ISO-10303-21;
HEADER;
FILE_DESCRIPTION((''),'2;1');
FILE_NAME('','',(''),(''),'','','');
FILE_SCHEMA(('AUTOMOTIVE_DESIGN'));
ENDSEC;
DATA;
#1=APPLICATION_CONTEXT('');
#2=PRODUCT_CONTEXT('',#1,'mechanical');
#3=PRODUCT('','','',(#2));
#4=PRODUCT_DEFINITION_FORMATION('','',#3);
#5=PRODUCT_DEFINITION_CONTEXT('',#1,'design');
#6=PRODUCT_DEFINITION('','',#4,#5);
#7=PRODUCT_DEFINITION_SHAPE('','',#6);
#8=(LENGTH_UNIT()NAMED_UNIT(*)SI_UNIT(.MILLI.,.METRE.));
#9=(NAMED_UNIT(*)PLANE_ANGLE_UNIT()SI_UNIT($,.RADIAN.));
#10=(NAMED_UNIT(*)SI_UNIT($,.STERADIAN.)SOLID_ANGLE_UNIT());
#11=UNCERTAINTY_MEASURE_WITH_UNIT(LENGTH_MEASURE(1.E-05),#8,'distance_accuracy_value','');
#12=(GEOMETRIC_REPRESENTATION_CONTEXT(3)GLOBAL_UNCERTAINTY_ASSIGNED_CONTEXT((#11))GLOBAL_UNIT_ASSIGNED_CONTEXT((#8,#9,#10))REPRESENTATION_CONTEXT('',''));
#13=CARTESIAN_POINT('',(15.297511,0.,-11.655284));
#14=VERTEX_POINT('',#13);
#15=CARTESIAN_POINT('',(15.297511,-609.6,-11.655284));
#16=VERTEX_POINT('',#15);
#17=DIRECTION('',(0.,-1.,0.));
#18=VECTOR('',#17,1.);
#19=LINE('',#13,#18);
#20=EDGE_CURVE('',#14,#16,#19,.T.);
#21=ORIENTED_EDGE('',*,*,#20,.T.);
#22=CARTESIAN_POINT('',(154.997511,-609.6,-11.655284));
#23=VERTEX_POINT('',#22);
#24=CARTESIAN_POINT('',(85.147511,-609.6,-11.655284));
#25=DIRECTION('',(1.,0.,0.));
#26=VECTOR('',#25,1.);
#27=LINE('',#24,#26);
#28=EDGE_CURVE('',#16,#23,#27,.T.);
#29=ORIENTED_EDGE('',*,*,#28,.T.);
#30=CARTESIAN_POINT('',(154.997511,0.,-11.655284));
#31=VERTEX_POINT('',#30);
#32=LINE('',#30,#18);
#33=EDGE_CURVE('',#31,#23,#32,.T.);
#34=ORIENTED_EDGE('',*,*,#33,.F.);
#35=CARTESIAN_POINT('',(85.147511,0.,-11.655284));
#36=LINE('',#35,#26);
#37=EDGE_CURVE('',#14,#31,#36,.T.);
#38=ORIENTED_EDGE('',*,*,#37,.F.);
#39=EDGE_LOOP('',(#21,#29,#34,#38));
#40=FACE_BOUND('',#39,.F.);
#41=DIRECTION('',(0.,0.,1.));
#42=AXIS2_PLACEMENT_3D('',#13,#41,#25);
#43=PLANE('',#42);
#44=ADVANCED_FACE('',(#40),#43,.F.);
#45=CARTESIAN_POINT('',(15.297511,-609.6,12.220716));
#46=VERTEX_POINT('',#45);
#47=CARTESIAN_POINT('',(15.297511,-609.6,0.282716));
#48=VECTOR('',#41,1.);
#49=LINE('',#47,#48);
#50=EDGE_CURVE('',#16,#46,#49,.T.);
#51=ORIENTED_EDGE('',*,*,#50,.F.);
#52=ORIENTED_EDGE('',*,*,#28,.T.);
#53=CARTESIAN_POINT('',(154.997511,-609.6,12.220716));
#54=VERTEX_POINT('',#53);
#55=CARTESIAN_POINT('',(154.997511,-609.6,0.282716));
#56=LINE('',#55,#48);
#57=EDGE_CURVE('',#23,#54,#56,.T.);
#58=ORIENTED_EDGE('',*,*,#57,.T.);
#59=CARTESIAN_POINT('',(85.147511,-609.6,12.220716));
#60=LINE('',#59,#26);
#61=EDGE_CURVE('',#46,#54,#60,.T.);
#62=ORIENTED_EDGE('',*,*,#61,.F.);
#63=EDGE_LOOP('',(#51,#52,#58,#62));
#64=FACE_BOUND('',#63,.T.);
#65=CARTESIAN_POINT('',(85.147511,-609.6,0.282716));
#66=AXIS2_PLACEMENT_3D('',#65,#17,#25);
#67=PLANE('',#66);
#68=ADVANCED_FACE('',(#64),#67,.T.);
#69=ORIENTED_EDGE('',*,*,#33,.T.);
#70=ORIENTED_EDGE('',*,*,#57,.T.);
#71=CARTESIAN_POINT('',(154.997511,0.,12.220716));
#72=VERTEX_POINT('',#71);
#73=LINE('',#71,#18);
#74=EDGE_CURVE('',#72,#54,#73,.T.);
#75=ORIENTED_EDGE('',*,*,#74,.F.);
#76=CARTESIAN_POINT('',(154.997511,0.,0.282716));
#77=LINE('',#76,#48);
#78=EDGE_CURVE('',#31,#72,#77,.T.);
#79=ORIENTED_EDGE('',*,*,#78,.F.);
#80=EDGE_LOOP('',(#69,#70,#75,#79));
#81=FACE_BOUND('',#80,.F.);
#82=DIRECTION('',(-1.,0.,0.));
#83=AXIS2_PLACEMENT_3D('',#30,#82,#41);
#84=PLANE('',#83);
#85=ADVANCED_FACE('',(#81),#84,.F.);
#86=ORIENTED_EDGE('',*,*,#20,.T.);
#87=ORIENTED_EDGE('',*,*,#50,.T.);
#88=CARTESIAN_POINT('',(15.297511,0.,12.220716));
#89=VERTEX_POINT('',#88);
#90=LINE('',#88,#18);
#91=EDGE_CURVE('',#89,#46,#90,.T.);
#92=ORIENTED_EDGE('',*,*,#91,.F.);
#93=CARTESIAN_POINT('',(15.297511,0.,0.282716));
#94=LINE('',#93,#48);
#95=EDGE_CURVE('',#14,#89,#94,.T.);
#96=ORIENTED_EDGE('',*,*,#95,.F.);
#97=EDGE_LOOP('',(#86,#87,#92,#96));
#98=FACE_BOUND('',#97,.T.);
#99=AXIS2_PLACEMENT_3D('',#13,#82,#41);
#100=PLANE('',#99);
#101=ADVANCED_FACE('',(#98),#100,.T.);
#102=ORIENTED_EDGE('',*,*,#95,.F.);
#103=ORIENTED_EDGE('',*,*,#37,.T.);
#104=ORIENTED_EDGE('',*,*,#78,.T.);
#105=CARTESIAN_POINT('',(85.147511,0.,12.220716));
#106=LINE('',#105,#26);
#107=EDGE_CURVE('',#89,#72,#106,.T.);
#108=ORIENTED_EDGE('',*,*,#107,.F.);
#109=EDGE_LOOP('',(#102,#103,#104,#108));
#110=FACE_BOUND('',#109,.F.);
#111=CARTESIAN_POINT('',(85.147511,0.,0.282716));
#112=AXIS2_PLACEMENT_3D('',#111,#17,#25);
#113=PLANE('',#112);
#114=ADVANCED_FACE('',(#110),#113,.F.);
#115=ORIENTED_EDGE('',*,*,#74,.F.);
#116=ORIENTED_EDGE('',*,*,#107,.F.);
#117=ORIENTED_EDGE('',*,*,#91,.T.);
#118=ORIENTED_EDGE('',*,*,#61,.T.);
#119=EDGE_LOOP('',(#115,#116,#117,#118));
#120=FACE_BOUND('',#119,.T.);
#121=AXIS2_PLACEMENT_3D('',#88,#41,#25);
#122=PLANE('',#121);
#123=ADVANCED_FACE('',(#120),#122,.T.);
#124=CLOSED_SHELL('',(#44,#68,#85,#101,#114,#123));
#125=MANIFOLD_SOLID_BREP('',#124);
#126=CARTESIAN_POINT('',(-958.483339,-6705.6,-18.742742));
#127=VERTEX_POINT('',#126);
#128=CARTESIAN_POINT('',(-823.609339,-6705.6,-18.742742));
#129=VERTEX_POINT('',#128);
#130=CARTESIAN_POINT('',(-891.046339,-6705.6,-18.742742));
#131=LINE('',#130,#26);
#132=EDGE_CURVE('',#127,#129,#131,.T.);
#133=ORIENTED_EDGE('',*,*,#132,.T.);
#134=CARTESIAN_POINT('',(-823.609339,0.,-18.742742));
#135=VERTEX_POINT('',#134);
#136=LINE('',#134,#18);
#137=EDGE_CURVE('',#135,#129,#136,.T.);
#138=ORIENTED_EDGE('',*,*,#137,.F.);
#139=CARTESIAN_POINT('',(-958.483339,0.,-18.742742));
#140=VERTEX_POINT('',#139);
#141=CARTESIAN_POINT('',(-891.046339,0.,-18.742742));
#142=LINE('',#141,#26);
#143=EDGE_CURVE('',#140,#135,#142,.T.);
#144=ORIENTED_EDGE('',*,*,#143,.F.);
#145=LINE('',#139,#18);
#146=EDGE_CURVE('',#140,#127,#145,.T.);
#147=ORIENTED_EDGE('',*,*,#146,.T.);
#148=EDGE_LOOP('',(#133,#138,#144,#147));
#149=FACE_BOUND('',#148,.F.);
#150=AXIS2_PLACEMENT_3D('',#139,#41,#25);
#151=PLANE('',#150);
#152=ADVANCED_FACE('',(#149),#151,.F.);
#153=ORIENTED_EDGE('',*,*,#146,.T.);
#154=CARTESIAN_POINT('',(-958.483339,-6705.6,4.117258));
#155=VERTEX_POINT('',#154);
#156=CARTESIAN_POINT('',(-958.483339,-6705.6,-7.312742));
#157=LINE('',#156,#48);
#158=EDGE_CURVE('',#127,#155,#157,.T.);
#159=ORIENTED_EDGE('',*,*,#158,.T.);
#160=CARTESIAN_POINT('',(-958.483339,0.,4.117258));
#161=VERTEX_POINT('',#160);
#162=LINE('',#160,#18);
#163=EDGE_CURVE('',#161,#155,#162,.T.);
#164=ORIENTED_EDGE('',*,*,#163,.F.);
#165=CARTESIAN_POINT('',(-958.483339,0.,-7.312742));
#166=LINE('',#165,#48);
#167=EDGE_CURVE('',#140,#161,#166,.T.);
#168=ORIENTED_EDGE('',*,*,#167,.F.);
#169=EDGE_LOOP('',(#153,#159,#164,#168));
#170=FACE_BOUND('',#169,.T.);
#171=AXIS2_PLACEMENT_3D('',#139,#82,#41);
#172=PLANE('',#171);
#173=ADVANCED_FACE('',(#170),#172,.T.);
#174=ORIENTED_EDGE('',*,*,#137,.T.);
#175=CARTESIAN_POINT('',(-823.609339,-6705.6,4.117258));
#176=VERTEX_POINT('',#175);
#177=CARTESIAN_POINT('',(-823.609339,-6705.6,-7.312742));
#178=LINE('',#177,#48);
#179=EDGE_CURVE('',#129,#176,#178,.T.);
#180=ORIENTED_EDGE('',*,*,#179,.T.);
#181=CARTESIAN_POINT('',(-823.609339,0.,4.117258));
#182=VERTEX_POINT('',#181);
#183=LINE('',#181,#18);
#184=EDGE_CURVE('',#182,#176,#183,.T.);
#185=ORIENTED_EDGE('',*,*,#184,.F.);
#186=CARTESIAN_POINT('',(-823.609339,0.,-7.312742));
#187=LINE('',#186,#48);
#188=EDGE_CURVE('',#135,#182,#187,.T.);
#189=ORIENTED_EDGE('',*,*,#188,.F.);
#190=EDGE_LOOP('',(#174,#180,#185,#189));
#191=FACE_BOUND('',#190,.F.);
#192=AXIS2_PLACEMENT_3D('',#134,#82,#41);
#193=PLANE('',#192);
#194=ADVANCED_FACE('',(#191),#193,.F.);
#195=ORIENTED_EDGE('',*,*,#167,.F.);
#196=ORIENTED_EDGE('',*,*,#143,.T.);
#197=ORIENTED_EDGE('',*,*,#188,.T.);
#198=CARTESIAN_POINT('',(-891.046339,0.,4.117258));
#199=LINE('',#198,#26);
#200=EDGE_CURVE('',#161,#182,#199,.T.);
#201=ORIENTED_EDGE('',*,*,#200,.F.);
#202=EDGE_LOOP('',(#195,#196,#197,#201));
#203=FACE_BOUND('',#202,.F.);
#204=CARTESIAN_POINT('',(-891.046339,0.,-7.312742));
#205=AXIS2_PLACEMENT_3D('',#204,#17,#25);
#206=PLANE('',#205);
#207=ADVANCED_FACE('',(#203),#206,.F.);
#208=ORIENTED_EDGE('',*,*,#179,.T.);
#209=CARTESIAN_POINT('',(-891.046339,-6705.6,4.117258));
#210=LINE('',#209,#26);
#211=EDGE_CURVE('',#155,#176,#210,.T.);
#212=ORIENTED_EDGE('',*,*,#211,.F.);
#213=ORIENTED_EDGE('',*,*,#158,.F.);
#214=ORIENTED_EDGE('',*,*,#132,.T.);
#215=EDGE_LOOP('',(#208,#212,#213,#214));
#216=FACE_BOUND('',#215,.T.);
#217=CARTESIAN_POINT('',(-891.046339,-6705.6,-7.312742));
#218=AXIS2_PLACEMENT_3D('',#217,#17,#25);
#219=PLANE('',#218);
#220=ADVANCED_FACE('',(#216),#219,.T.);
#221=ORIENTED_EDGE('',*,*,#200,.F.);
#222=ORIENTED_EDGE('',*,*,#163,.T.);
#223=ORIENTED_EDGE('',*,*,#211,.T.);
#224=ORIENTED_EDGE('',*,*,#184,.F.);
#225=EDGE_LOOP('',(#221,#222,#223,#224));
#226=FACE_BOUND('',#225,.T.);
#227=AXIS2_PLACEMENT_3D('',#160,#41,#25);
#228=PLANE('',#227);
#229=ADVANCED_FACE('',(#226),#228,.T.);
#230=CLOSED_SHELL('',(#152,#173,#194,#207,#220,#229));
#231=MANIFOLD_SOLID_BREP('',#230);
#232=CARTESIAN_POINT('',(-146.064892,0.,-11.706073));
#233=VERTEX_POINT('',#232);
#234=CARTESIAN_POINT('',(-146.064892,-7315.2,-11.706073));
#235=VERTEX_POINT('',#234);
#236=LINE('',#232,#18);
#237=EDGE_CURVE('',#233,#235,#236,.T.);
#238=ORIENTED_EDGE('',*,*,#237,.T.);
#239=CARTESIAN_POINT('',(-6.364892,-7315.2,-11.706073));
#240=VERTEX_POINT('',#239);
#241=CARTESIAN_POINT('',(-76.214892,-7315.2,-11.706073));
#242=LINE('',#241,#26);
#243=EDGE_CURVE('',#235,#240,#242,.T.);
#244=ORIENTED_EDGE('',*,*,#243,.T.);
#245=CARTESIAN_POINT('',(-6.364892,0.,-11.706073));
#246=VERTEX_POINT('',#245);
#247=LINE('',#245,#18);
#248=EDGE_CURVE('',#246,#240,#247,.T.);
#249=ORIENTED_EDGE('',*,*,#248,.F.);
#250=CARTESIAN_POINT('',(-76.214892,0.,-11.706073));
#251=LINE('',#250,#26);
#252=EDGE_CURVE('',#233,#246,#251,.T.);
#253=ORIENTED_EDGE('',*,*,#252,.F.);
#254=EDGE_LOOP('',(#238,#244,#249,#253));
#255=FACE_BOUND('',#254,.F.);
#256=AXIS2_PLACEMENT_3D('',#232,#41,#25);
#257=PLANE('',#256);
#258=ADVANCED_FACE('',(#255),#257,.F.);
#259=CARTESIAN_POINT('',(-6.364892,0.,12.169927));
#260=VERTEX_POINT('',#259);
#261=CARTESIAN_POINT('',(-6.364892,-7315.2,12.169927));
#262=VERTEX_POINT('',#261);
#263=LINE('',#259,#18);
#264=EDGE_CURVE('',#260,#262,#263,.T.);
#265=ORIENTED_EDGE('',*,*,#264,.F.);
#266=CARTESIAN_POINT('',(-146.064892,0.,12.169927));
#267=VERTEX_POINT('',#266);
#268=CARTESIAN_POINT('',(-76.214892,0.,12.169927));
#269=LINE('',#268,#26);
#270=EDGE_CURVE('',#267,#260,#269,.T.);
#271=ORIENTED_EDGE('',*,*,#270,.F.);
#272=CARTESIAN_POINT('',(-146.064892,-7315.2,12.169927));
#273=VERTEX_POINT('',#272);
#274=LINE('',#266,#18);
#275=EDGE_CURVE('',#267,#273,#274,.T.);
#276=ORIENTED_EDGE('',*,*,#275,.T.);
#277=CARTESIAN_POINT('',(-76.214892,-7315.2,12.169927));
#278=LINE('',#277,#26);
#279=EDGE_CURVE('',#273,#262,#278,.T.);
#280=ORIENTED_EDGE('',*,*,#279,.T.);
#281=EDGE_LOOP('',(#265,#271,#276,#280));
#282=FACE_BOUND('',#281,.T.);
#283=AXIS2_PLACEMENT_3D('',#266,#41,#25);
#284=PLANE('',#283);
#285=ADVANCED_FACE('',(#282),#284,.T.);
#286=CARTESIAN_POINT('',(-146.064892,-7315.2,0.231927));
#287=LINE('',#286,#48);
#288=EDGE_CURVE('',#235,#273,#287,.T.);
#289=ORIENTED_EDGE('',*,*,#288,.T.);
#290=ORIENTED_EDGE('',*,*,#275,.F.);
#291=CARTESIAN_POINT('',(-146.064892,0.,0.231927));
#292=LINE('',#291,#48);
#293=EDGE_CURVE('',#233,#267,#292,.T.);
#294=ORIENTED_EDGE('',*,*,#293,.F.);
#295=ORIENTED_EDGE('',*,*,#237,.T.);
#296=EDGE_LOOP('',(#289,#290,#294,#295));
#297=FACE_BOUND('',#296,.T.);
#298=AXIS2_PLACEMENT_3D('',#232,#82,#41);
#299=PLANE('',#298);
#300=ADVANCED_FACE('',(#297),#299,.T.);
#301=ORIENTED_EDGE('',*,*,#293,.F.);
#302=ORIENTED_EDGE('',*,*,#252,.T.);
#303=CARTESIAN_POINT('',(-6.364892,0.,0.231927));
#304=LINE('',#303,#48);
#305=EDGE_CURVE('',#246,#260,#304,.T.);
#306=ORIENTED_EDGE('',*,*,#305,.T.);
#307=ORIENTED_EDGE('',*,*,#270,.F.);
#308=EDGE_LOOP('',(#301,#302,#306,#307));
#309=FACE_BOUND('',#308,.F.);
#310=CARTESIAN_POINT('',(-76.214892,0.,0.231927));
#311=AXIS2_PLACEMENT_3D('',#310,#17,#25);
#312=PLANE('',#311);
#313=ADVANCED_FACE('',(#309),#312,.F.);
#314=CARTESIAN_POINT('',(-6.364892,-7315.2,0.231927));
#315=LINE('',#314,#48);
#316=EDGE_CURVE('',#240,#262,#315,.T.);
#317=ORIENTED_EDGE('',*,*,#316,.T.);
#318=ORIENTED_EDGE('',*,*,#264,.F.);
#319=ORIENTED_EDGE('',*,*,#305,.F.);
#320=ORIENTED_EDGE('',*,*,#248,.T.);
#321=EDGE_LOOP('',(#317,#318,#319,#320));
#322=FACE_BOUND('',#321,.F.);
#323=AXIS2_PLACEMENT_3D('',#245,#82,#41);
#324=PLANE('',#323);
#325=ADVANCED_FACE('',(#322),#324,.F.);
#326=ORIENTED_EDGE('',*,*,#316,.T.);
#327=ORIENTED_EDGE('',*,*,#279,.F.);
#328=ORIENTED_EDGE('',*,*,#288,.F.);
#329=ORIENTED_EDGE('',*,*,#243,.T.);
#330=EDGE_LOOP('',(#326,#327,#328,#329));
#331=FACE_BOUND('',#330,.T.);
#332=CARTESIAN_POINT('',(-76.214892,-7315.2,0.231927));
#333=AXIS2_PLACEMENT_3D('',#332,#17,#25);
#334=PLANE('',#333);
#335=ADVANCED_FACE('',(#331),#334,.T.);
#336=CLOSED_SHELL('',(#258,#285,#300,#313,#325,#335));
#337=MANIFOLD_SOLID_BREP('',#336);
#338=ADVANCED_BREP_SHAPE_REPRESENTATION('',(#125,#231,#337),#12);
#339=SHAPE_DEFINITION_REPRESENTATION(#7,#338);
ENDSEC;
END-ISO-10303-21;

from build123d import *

# Parameters (mm, degrees)
F1_W     = 134.874
F1_H     = 22.86
F2_DEPTH = 6705.6
F0_W     = 139.7
F0_H     = 23.876
F3_DEPTH = 7315.2
F4_DEPTH = 609.6


with BuildPart() as f2:
    # F1 (on Front) → F2 (new body)
    with BuildSketch(Plane.XZ):
        with Locations((-891.046339, -7.312742)):
            Rectangle(F1_W, F1_H)
    extrude(amount=F2_DEPTH)


with BuildPart() as f3:
    # F0 (on Front) → F3 (new body)
    with BuildSketch(Plane.XZ):
        with Locations((-76.214892, 0.231927)):
            Rectangle(F0_W, F0_H)
    extrude(amount=F3_DEPTH)


with BuildPart() as f4:
    # F0 (on Front) → F4 (new body)
    with BuildSketch(Plane.XZ):
        with Locations((85.147511, 0.282716)):
            Rectangle(F0_W, F0_H)
    extrude(amount=F4_DEPTH)


solid = Compound([f2.part, f3.part, f4.part])
